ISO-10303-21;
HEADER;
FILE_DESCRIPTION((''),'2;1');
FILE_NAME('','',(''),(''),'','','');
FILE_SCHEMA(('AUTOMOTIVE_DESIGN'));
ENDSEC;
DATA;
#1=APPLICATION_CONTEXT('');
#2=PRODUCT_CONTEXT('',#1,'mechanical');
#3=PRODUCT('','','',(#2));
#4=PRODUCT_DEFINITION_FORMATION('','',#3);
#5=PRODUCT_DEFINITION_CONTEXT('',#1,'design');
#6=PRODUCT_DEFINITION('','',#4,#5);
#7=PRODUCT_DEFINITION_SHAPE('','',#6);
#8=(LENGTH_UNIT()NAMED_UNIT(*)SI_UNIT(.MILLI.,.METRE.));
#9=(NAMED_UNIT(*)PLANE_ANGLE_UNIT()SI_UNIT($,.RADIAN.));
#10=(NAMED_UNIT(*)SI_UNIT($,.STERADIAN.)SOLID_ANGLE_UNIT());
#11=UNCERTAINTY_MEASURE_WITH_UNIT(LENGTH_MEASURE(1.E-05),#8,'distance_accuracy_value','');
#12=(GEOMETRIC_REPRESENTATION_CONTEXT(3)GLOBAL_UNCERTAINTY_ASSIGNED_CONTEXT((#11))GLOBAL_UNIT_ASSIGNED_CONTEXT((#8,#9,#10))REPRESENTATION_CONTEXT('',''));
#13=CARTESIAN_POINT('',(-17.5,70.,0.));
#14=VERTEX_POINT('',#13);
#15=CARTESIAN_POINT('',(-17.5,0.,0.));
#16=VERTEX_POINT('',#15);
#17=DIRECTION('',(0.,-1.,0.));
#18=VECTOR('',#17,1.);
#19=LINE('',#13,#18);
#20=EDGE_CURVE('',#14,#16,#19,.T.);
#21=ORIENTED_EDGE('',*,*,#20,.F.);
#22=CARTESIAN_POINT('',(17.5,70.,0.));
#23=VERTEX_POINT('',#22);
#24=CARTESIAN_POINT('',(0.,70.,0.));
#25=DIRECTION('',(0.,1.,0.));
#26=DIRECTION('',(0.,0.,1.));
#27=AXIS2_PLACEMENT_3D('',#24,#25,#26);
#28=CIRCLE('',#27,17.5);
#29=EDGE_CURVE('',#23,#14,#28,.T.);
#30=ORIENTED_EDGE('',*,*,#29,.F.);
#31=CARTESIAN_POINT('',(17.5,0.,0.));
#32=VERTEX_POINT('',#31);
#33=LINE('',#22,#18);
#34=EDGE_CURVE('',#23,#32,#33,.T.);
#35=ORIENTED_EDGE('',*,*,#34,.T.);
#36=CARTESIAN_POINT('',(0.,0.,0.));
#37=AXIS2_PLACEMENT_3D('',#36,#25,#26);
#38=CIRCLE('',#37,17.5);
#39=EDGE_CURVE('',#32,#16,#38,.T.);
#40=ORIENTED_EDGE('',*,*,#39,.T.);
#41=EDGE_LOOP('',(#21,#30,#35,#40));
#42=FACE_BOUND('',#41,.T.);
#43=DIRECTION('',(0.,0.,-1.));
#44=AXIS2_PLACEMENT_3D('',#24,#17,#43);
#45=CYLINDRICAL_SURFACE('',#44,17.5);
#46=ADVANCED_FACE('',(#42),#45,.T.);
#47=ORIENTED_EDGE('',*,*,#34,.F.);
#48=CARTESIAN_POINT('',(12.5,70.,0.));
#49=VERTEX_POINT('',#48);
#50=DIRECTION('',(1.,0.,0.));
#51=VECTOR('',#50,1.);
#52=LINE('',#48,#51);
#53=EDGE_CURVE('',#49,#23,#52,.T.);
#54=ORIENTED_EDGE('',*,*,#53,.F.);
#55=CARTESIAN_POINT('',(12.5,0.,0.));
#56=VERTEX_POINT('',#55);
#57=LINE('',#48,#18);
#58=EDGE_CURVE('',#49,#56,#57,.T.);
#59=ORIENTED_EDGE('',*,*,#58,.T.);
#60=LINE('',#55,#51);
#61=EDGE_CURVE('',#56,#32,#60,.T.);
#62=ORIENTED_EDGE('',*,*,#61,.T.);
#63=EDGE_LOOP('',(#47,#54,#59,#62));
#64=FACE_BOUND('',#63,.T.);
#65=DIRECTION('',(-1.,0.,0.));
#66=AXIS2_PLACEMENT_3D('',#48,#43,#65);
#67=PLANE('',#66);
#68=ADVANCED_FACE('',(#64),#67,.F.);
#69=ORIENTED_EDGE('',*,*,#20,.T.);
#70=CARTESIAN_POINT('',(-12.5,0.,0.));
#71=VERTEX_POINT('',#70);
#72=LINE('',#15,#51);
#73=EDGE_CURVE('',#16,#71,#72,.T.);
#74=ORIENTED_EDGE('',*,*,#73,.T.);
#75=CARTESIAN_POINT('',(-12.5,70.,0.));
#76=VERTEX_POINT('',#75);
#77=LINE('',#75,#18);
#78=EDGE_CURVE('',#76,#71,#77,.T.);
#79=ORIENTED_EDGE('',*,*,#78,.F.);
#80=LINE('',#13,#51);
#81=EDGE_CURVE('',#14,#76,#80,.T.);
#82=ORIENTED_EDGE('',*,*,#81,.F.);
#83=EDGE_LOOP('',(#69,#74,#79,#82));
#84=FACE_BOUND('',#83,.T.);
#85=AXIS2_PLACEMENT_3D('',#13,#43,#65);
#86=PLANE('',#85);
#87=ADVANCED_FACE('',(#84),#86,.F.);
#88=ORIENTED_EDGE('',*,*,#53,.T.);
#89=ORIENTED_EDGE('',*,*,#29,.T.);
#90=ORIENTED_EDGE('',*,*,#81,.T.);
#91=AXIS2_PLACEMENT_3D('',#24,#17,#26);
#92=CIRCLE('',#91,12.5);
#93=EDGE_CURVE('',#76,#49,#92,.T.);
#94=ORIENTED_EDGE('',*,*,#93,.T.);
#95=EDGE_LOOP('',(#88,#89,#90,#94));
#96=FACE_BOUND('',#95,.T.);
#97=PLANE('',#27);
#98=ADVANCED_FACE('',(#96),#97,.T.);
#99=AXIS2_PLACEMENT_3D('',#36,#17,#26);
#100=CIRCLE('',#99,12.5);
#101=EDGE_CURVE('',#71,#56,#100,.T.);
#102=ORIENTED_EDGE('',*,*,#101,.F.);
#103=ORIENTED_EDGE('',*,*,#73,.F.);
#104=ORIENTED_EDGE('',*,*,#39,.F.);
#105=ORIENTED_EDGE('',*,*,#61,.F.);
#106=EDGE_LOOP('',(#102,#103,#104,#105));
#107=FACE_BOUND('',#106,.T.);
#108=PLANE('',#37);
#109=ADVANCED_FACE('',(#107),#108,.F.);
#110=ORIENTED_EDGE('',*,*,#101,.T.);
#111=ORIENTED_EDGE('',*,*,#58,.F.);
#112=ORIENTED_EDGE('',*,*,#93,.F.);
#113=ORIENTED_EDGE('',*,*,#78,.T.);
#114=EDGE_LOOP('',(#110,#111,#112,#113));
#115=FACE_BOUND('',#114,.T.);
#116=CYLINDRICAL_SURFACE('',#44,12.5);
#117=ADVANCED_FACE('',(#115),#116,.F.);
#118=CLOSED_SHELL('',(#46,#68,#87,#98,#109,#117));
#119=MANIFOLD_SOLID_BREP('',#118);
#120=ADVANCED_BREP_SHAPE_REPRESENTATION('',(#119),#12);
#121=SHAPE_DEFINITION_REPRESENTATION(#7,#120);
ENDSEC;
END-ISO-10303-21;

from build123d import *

# Parameters (mm, degrees)
BOSS_EXTRUDE1_DEPTH = 70


with BuildPart() as part:
    # Sketch1 → Boss-Extrude1 (new body)
    with BuildSketch(Plane(origin=(0, 0, 0), x_dir=(1, 0, 0), z_dir=(0, 1, 0))):
        with BuildLine():
            Line((-17.5, 0), (-12.5, 0))
            ThreePointArc((-12.5, 0), (0, 12.5), (12.5, 0))
            Line((12.5, 0), (17.5, 0))
            ThreePointArc((17.5, 0), (0, 17.5), (-17.5, 0))
        make_face()
    extrude(amount=BOSS_EXTRUDE1_DEPTH)


solid = part.part
